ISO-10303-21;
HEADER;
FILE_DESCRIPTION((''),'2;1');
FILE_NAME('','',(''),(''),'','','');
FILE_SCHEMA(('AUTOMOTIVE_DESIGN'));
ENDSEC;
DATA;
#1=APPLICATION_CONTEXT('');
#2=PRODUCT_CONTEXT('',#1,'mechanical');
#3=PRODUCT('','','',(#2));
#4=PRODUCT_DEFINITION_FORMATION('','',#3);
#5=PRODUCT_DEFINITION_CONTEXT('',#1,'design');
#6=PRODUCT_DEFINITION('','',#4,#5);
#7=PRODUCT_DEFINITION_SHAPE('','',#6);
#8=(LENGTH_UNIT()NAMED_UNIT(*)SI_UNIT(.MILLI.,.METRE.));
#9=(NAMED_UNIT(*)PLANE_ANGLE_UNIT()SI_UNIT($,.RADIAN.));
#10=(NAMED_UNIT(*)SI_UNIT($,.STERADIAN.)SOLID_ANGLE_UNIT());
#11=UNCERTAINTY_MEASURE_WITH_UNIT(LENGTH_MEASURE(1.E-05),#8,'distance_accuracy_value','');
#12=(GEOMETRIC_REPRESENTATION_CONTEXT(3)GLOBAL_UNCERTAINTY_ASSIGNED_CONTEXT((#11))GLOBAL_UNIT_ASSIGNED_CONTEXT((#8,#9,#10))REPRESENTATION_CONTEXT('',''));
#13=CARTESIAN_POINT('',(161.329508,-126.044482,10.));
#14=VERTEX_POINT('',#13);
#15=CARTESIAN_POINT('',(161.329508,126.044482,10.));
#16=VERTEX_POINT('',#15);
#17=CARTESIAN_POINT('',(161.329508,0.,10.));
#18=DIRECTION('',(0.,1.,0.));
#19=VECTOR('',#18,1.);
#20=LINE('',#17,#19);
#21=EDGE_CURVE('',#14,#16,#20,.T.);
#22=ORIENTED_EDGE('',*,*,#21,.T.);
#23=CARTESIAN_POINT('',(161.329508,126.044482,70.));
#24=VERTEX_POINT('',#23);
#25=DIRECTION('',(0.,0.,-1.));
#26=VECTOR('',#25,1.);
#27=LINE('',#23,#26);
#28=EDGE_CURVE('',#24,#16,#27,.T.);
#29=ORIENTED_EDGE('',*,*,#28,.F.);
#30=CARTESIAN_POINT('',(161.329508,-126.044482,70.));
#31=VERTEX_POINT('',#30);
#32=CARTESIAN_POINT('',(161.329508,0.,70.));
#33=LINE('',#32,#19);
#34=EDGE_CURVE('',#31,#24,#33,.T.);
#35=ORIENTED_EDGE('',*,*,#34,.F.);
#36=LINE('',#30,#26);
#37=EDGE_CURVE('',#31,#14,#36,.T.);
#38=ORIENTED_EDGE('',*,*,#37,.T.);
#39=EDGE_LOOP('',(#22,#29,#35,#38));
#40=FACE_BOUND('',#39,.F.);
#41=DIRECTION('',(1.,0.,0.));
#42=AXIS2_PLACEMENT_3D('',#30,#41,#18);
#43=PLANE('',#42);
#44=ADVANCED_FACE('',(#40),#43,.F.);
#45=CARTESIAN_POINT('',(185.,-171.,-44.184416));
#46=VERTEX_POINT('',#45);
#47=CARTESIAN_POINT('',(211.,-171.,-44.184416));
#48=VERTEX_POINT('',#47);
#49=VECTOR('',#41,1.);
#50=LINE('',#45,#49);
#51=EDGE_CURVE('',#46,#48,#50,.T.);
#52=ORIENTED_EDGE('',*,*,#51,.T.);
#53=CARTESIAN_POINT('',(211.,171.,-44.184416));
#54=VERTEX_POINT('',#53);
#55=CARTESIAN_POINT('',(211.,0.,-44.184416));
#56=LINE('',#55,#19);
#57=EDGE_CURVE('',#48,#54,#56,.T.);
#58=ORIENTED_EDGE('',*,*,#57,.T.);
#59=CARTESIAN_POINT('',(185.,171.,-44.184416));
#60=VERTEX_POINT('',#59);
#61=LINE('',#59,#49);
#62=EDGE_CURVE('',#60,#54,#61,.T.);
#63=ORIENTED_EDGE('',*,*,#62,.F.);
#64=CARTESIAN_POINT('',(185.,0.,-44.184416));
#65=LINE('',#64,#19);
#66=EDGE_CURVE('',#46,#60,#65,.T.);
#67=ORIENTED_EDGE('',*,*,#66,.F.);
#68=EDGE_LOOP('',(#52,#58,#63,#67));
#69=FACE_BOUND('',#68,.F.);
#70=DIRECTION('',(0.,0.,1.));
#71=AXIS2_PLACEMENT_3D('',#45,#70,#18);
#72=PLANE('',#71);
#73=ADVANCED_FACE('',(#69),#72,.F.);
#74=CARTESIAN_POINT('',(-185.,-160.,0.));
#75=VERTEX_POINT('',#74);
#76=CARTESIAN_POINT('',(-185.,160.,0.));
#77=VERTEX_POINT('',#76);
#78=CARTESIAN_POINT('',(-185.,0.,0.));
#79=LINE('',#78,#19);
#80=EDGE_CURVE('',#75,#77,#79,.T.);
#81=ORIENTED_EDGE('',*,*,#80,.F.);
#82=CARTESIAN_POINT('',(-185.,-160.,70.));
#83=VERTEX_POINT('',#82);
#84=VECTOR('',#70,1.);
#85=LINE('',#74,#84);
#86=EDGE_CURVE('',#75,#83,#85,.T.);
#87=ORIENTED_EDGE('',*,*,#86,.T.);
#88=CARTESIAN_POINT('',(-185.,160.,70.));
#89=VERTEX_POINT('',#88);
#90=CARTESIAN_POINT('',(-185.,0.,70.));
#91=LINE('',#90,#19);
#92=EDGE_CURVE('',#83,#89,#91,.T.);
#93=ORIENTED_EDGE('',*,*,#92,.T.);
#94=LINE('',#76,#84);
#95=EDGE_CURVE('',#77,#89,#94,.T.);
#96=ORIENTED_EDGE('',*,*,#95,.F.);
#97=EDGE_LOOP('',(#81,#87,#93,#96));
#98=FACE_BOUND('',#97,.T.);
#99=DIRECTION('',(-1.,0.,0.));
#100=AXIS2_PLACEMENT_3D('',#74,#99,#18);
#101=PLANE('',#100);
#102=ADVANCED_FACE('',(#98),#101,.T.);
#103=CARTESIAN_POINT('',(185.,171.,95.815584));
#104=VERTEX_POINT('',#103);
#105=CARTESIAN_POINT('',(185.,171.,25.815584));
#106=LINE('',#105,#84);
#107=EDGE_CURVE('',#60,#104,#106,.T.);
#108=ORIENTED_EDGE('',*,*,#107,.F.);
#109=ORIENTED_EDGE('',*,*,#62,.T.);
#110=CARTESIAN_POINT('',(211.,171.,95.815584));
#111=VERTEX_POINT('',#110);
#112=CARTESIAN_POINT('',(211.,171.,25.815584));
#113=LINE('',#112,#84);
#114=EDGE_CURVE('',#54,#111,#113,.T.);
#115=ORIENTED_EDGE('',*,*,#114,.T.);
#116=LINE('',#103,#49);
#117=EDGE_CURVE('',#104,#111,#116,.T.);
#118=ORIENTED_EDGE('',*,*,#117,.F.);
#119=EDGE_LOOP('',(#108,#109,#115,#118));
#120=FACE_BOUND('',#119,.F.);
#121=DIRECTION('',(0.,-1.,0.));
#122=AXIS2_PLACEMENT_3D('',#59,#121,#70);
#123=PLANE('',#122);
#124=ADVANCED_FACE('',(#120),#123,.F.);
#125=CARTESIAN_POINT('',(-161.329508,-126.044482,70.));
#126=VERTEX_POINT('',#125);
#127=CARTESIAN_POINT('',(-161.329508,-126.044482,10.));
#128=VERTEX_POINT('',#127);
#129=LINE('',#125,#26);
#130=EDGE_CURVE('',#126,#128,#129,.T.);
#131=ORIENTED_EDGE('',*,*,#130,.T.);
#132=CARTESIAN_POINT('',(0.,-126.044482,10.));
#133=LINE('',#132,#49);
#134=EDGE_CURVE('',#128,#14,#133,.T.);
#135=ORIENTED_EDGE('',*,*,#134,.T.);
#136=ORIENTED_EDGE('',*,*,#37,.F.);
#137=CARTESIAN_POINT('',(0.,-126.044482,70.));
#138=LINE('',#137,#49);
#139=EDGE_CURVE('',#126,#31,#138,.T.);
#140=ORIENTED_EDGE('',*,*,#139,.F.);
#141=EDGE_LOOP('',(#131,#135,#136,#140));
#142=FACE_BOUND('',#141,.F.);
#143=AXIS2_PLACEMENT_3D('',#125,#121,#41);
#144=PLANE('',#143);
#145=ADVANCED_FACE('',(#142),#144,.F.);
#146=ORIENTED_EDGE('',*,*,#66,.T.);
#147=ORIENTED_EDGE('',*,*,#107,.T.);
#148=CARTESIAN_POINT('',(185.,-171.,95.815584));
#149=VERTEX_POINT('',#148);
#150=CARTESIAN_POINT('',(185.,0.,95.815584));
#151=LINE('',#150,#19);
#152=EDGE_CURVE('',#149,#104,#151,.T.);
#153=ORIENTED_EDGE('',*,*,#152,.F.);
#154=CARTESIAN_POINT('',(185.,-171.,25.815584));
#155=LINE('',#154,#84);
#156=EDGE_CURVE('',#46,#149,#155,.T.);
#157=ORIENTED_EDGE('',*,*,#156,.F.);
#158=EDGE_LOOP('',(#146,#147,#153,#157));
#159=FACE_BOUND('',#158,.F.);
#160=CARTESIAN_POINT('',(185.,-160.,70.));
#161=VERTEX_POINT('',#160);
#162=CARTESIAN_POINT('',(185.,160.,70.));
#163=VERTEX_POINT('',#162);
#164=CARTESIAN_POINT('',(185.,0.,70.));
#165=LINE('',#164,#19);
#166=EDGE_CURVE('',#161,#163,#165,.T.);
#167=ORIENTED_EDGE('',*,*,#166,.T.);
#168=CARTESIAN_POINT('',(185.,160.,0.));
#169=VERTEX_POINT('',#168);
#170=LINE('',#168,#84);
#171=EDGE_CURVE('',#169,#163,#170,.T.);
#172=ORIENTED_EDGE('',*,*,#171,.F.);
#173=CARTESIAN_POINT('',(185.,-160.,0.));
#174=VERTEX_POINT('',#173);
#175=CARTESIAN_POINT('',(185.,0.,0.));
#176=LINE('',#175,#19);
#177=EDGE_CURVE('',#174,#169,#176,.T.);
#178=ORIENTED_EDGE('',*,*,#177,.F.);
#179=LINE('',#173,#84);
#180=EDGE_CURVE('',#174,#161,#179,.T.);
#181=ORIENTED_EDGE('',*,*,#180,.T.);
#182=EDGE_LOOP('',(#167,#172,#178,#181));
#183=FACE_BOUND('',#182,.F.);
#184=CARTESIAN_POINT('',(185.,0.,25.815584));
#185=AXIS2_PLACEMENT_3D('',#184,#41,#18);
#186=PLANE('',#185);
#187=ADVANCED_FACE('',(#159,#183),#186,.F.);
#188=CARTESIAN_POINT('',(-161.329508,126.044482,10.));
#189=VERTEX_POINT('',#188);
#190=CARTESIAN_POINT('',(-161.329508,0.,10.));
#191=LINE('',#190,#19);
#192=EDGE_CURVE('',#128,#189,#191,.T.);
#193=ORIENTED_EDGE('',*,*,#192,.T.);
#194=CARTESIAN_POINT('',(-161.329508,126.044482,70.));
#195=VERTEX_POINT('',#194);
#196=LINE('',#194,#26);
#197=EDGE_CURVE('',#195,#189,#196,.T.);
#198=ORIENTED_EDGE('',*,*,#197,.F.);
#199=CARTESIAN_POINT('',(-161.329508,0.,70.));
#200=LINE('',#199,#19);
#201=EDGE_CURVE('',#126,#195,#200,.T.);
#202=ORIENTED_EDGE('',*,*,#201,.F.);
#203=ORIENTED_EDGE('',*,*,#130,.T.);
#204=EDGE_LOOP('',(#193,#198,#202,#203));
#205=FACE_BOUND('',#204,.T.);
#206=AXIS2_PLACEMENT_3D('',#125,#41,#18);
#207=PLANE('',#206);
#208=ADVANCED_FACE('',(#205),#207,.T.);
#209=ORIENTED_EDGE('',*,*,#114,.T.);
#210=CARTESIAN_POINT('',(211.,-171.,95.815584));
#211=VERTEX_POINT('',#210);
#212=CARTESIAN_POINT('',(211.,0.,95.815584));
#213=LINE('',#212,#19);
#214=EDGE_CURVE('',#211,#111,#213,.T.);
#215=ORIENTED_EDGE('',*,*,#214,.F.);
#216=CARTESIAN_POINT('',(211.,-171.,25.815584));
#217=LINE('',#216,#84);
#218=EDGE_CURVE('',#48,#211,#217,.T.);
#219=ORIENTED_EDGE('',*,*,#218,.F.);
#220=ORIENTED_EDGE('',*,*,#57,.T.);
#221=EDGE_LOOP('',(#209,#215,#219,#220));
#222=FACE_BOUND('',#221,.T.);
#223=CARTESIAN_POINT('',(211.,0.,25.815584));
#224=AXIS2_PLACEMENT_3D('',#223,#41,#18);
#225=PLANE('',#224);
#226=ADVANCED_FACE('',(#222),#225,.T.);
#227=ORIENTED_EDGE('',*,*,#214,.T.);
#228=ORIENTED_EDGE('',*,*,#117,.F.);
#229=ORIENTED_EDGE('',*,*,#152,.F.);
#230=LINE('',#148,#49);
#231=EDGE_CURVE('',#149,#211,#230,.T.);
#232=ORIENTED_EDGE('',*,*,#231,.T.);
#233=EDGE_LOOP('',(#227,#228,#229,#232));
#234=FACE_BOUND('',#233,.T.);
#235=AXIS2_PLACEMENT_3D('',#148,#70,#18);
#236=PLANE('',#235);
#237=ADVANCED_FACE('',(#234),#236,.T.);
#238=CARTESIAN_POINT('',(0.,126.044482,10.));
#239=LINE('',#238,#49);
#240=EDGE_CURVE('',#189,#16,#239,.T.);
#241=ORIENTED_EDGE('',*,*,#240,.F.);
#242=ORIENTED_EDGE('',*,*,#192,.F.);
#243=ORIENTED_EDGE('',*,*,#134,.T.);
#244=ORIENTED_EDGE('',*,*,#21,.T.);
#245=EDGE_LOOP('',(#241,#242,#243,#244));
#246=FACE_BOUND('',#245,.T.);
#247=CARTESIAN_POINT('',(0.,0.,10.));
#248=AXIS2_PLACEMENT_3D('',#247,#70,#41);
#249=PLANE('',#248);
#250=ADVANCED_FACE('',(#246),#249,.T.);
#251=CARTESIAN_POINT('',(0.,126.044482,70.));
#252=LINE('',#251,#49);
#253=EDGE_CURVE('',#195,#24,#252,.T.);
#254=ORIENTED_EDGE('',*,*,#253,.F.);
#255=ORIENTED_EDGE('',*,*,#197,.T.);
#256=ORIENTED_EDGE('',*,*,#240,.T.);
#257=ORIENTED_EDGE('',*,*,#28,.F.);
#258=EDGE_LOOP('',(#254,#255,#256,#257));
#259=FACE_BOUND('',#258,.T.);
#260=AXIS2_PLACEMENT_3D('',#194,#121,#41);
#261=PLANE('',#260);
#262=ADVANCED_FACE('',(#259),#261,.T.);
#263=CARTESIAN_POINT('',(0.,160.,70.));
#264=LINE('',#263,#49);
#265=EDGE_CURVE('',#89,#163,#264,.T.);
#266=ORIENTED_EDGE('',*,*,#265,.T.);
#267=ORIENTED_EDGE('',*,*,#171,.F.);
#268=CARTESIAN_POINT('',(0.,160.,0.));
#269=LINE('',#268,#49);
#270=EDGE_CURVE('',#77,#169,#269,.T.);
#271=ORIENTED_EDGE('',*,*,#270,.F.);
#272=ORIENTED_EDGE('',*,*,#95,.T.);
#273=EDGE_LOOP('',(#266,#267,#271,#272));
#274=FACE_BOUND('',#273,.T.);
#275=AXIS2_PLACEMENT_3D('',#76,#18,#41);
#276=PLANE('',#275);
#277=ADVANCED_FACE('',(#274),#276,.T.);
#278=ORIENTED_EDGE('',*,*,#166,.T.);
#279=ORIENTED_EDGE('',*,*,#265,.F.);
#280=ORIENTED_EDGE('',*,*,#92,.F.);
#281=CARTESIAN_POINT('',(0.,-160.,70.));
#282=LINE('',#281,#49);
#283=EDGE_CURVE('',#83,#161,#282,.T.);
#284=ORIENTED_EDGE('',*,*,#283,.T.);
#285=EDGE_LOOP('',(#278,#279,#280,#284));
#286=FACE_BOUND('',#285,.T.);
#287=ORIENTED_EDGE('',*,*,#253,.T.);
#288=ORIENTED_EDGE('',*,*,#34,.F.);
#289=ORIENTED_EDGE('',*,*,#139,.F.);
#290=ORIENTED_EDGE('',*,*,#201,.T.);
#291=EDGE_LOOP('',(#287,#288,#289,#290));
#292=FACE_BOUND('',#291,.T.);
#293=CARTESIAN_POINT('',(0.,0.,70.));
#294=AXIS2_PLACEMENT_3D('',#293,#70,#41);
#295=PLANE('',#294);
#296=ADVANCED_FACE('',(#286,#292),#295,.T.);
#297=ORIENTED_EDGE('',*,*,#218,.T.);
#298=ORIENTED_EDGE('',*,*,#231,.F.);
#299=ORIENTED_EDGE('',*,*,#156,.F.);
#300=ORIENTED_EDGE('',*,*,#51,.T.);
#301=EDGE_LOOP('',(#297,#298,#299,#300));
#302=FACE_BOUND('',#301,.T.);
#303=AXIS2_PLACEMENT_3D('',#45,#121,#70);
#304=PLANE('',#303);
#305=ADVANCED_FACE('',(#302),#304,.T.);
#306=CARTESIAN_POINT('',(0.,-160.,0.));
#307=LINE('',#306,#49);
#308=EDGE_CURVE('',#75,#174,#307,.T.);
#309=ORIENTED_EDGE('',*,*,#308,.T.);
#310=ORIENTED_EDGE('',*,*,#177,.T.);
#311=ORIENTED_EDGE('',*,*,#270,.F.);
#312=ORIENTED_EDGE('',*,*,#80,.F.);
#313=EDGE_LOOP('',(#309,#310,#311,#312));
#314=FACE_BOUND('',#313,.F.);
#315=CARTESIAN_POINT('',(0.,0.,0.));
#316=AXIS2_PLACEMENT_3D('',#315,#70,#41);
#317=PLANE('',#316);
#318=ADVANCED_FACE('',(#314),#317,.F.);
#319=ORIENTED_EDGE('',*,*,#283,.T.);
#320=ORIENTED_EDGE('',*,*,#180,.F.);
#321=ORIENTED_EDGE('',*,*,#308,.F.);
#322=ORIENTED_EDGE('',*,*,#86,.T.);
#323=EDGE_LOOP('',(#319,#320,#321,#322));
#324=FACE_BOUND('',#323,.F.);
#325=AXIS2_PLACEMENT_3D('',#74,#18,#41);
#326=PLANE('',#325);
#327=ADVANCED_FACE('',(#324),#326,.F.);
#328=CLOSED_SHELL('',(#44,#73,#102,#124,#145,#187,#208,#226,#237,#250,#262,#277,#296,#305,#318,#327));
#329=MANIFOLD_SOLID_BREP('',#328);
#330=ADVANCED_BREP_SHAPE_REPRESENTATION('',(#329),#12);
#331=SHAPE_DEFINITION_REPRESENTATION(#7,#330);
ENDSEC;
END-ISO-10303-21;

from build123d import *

# Parameters (mm, degrees)
F0_W     = 370
F0_H     = 320
F1_DEPTH = 70
F2_W     = 322.659016
F2_H     = 252.088964
F3_DEPTH = 60
F4_W     = 342
F4_H     = 140
F5_DEPTH = 26


with BuildPart() as f1:
    # F0 (on Top) → F1 (new body)
    with BuildSketch(Plane.XY):
        Rectangle(F0_W, F0_H)
    extrude(amount=F1_DEPTH)

    # F2 (on face) → F3 (cut)
    with BuildSketch(Plane.XY.offset(70)):
        Rectangle(F2_W, F2_H)
    extrude(amount=-F3_DEPTH, mode=Mode.SUBTRACT)

    # F4 (on face) → F5 (join)
    with BuildSketch(Plane.YZ.offset(185)):
        with Locations((0, 25.815584)):
            Rectangle(F4_W, F4_H)
    extrude(amount=F5_DEPTH)


solid = f1.part
